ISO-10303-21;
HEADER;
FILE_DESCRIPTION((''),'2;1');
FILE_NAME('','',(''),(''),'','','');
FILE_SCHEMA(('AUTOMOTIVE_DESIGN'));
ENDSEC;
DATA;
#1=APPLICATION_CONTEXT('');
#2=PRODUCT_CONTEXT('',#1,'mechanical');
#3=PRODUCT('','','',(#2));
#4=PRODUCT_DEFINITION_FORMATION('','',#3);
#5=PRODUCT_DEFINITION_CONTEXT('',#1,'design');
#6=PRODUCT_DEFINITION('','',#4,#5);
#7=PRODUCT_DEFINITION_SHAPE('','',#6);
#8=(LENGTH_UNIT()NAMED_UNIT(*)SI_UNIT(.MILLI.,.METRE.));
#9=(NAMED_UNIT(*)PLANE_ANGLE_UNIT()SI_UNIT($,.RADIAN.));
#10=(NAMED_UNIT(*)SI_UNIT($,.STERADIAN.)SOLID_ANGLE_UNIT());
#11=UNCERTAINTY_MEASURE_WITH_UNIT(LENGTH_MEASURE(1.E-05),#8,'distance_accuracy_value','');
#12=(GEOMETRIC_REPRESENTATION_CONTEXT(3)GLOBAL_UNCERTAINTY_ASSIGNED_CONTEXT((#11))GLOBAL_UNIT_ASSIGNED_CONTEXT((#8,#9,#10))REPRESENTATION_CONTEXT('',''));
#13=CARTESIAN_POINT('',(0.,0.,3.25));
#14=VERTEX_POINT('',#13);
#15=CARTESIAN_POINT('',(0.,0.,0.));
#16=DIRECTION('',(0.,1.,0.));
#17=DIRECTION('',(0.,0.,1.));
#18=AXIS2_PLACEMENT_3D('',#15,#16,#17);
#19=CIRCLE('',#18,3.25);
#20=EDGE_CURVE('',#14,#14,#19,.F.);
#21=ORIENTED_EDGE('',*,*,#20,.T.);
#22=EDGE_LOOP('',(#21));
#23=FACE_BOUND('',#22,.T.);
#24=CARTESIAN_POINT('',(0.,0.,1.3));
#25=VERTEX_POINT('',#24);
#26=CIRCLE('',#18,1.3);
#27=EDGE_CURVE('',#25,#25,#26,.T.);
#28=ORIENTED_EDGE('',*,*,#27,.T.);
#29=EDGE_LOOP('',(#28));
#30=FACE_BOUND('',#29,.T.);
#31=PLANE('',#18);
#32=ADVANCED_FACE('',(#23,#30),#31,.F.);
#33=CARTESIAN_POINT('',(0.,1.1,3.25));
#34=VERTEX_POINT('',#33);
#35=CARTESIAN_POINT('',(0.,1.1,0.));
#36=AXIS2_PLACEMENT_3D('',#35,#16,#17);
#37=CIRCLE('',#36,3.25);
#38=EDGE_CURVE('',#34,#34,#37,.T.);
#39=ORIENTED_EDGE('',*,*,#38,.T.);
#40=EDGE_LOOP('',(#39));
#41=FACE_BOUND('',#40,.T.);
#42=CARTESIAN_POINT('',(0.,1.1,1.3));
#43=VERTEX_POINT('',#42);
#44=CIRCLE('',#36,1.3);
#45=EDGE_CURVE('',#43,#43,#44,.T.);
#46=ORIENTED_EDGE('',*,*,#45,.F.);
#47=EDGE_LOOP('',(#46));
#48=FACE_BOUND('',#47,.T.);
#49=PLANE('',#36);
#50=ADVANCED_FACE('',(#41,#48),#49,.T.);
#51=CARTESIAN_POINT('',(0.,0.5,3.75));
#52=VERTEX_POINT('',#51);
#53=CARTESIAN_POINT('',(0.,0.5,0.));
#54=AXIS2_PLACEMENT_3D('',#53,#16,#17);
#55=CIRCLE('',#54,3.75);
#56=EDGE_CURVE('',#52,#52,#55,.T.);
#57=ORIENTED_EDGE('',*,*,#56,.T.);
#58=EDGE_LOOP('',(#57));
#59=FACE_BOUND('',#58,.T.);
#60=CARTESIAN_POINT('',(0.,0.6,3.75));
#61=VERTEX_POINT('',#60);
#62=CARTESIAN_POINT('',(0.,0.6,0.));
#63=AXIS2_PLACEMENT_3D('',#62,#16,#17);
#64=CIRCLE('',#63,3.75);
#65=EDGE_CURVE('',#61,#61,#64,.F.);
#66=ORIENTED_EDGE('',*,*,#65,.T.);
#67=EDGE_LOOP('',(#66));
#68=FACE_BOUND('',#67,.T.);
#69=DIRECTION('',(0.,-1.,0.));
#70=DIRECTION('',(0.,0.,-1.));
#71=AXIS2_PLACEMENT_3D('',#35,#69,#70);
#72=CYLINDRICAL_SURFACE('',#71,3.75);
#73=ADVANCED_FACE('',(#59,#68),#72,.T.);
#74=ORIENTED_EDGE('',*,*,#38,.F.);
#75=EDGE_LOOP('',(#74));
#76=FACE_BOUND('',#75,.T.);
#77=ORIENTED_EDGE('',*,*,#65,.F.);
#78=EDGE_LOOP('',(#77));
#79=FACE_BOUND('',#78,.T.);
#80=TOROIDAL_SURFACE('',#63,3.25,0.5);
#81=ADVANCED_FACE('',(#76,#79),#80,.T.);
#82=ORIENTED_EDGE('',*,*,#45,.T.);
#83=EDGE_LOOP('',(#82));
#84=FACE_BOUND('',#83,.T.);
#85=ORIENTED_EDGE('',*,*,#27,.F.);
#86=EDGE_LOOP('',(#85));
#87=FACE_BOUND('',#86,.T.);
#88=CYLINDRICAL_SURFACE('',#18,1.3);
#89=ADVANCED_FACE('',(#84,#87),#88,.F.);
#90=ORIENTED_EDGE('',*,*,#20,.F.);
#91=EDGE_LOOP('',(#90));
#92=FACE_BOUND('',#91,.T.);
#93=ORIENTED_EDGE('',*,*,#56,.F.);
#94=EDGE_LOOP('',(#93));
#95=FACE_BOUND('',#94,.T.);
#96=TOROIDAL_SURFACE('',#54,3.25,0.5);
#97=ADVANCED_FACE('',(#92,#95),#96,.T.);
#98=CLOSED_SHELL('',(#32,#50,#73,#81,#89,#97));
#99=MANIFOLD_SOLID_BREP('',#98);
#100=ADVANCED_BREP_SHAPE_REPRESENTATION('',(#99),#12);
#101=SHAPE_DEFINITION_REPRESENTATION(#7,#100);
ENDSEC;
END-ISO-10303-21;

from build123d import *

# Parameters (mm, degrees)
SKETCH1_R           = 3.75
BOSS_EXTRUDE1_DEPTH = 1.1
SKETCH2_R           = 1.3
CUT_EXTRUDE1_DEPTH  = 2.1
FILLET1_R           = 0.5


with BuildPart() as part:
    # Sketch1 → Boss-Extrude1 (new body)
    with BuildSketch(Plane(origin=(0, 0, 0), x_dir=(1, 0, 0), z_dir=(0, 1, 0))):
        Circle(SKETCH1_R)
    extrude(amount=BOSS_EXTRUDE1_DEPTH)

    # Sketch2 → Cut-Extrude1 (cut, through all)
    with BuildSketch(Plane(origin=(0, 1.1, 0), x_dir=(1, 0, 0), z_dir=(0, 1, 0))):
        Circle(SKETCH2_R)
    extrude(amount=-CUT_EXTRUDE1_DEPTH, mode=Mode.SUBTRACT)

    # Fillet1
    fillet1_edges = [part.edges().sort_by_distance(p)[0] for p in [
        (-3.75, 0, 0),
        (-3.75, 1.1, 0),
    ]]
    fillet(fillet1_edges, radius=FILLET1_R)


solid = part.part
